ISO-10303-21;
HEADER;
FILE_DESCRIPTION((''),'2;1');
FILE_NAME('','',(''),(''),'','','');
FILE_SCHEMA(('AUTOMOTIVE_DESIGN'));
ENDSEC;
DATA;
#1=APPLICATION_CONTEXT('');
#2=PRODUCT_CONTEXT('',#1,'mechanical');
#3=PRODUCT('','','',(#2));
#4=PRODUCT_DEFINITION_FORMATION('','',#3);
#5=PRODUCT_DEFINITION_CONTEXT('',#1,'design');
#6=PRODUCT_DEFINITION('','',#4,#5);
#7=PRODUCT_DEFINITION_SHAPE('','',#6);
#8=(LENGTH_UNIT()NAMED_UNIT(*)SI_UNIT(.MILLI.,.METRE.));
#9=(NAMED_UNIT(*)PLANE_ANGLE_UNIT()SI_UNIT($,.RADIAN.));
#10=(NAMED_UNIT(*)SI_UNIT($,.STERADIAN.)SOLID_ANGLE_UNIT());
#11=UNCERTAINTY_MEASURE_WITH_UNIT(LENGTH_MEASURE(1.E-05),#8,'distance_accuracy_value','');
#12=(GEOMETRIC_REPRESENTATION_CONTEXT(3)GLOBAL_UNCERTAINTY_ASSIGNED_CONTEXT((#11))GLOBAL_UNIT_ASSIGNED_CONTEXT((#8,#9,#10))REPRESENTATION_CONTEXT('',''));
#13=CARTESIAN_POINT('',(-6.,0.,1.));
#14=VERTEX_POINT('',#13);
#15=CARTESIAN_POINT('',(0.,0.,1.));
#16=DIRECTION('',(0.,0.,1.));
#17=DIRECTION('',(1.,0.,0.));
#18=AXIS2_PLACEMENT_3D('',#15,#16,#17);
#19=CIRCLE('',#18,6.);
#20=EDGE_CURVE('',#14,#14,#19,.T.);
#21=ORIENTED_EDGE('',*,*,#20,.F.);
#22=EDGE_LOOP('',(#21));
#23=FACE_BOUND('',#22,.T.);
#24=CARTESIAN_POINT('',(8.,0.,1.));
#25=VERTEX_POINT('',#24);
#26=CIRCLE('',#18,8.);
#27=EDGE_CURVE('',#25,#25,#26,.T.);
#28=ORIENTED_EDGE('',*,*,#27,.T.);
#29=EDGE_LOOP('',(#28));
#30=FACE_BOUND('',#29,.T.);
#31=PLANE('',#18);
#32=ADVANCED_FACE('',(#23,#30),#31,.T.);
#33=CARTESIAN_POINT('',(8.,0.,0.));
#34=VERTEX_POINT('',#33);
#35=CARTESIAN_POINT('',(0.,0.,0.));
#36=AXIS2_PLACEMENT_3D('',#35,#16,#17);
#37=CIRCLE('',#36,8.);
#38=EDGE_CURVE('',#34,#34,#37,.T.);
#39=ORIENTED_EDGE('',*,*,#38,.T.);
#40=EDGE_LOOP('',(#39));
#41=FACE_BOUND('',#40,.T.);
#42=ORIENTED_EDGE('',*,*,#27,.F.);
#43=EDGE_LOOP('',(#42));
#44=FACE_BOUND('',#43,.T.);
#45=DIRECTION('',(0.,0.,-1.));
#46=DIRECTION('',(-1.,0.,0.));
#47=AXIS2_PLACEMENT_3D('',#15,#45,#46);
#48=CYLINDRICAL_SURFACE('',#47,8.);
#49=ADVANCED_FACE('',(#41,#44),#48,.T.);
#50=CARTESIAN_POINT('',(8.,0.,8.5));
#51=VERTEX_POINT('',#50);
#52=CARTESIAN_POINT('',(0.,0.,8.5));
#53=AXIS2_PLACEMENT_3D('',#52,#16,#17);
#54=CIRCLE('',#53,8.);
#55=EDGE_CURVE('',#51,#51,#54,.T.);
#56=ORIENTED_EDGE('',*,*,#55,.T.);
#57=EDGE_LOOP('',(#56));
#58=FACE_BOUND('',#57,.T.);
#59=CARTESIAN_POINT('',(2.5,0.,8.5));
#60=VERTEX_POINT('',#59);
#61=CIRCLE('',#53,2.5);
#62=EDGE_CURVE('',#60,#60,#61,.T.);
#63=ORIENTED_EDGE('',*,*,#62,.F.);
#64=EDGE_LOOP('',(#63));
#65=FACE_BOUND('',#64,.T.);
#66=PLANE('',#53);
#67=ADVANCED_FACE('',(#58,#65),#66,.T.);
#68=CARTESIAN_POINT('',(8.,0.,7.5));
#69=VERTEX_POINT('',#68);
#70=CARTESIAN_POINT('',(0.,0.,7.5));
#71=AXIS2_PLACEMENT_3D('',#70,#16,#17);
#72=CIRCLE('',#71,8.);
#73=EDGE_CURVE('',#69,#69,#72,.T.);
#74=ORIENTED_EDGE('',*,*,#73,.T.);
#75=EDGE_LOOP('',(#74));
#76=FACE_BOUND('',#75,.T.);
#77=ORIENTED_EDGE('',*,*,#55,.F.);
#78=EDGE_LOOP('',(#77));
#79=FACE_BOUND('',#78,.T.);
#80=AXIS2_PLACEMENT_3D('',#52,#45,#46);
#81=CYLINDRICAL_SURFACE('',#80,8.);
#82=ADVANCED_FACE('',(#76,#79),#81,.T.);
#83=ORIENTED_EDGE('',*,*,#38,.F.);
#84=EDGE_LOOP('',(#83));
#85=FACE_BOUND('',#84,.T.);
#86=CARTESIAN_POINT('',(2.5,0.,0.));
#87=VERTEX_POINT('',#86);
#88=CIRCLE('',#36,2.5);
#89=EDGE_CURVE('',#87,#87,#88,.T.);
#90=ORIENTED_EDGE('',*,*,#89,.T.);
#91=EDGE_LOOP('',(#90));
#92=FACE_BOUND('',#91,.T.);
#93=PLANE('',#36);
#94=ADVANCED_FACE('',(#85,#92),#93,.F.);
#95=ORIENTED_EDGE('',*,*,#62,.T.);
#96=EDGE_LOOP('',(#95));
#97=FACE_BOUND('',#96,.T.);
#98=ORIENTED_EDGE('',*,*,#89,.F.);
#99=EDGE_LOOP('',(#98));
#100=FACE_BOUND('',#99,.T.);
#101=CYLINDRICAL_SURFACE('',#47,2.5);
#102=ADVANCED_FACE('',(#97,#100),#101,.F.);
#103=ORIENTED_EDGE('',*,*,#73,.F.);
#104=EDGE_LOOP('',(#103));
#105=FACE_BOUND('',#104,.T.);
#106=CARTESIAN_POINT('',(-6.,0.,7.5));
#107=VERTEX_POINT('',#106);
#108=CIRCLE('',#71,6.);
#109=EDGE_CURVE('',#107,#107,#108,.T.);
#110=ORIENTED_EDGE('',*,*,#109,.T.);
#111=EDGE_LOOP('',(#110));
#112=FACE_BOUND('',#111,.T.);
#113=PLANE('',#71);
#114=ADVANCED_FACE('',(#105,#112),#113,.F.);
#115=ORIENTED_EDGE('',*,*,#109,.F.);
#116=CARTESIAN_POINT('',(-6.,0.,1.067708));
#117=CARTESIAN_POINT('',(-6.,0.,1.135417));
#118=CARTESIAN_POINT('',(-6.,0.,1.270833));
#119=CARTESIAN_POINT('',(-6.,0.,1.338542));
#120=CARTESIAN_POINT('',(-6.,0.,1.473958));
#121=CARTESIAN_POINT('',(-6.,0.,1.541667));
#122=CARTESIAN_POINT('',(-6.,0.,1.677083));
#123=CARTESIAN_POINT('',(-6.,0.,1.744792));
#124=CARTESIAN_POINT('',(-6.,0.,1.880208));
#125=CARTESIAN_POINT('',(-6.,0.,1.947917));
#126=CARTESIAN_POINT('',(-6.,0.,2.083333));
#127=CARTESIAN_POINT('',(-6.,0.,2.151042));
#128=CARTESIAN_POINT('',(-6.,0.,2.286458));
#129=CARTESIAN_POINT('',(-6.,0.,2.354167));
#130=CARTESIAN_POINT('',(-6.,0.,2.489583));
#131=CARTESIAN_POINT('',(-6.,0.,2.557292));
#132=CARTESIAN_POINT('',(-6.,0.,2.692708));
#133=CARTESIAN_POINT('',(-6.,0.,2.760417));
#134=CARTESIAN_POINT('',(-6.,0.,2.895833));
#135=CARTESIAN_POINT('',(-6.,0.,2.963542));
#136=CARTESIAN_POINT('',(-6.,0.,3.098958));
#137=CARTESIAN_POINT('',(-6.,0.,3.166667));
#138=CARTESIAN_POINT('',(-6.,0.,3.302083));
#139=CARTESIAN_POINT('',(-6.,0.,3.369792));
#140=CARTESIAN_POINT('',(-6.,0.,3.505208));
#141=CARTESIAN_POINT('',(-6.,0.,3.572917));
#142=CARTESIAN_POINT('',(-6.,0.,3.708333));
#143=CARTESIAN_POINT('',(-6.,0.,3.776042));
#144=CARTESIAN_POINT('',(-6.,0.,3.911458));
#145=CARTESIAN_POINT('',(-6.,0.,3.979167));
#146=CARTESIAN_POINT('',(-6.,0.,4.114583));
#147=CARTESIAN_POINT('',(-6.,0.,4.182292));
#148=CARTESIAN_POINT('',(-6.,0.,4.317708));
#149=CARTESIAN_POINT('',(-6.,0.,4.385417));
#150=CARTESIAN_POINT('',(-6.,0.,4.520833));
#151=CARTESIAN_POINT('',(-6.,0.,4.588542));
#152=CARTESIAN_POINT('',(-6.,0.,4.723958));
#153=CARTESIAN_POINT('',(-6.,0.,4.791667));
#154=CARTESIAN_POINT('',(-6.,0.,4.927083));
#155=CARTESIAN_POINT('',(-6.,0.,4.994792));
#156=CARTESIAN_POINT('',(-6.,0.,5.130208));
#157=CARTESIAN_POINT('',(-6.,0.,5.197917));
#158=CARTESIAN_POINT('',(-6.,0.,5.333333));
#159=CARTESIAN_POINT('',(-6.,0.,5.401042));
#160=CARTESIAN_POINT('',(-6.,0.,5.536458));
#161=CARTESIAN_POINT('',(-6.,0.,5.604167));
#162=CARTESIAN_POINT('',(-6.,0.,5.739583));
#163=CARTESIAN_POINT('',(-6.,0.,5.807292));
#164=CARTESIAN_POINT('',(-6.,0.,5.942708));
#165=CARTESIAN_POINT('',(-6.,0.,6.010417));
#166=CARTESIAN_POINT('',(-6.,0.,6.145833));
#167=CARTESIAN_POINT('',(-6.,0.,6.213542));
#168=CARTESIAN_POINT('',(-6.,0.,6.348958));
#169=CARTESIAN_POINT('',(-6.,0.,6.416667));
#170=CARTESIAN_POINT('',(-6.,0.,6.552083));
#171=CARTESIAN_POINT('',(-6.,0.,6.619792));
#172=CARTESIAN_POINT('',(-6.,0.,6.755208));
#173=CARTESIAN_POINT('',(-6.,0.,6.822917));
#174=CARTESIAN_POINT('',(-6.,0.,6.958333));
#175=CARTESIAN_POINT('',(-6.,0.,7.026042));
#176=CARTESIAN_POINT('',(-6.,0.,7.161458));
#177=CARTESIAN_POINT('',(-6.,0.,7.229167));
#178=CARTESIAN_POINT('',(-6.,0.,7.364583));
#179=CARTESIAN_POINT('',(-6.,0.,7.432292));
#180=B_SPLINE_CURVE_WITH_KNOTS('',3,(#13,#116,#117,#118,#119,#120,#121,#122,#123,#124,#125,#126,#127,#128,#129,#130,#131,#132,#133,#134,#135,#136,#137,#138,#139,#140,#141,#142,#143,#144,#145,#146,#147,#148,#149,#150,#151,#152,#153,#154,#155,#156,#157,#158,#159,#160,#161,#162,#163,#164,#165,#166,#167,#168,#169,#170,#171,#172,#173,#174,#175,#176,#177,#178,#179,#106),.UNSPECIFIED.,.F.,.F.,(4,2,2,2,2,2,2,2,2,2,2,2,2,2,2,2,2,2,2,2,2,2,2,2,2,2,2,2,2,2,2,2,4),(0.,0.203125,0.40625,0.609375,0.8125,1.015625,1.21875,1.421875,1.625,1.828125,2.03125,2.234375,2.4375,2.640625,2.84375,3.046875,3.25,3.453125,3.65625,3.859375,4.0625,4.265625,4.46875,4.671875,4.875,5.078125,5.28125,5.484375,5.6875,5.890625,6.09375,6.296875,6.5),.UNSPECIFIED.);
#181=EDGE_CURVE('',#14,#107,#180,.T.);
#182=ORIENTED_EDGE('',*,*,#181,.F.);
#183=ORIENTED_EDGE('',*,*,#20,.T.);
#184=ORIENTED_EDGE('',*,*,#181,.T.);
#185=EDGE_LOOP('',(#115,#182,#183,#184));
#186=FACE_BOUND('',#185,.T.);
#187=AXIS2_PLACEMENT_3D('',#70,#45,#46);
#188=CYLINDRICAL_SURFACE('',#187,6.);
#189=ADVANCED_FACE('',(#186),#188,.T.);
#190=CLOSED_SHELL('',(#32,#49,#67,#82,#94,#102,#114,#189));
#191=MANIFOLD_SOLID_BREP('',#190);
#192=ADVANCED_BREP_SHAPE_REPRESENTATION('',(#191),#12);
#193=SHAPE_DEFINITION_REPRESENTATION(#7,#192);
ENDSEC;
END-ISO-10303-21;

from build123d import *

# Parameters (mm, degrees)
SKETCH_1_R      = 8
SKETCH_1_R_2    = 2.5
EXTRUDE_1_DEPTH = 1
SKETCH_2_R      = 6
SKETCH_2_R_2    = 2.5
EXTRUDE_2_DEPTH = 6.5
SKETCH_3_R      = 8
SKETCH_3_R_2    = 6
EXTRUDE_3_DEPTH = 1
SKETCH_4_R      = 6
SKETCH_4_R_2    = 2.5
EXTRUDE_4_DEPTH = 1


with BuildPart() as part:
    # 草图1 → 凸台-拉伸1 (new body)
    with BuildSketch(Plane.XY):
        Circle(SKETCH_1_R)
        Circle(SKETCH_1_R_2, mode=Mode.SUBTRACT)
    extrude(amount=EXTRUDE_1_DEPTH)

    # 草图2 → 凸台-拉伸2 (add)
    with BuildSketch(Plane.XY.offset(1)):
        with Locations(Location((0, 0, 0), (0, 0, 180))):
            Circle(SKETCH_2_R)
        Circle(SKETCH_2_R_2, mode=Mode.SUBTRACT)
    extrude(amount=EXTRUDE_2_DEPTH)



with BuildPart() as body_2:
    # 草图3 → 凸台-拉伸3 (new body)
    with BuildSketch(Plane.XY.offset(7.5)):
        Circle(SKETCH_3_R)
        with Locations(Location((0, 0, 0), (0, 0, 180))):
            Circle(SKETCH_3_R_2, mode=Mode.SUBTRACT)
    extrude(amount=EXTRUDE_3_DEPTH)


with BuildPart() as part_1:
    add(part.part)

    add(body_2.part)  # 凸台-拉伸4 merges body 2
    # 草图4 → 凸台-拉伸4 (add)
    with BuildSketch(Plane.XY.offset(7.5)):
        with Locations(Location((0, 0, 0), (0, 0, 180))):
            Circle(SKETCH_4_R)
        Circle(SKETCH_4_R_2, mode=Mode.SUBTRACT)
    extrude(amount=EXTRUDE_4_DEPTH)


solid = part_1.part
